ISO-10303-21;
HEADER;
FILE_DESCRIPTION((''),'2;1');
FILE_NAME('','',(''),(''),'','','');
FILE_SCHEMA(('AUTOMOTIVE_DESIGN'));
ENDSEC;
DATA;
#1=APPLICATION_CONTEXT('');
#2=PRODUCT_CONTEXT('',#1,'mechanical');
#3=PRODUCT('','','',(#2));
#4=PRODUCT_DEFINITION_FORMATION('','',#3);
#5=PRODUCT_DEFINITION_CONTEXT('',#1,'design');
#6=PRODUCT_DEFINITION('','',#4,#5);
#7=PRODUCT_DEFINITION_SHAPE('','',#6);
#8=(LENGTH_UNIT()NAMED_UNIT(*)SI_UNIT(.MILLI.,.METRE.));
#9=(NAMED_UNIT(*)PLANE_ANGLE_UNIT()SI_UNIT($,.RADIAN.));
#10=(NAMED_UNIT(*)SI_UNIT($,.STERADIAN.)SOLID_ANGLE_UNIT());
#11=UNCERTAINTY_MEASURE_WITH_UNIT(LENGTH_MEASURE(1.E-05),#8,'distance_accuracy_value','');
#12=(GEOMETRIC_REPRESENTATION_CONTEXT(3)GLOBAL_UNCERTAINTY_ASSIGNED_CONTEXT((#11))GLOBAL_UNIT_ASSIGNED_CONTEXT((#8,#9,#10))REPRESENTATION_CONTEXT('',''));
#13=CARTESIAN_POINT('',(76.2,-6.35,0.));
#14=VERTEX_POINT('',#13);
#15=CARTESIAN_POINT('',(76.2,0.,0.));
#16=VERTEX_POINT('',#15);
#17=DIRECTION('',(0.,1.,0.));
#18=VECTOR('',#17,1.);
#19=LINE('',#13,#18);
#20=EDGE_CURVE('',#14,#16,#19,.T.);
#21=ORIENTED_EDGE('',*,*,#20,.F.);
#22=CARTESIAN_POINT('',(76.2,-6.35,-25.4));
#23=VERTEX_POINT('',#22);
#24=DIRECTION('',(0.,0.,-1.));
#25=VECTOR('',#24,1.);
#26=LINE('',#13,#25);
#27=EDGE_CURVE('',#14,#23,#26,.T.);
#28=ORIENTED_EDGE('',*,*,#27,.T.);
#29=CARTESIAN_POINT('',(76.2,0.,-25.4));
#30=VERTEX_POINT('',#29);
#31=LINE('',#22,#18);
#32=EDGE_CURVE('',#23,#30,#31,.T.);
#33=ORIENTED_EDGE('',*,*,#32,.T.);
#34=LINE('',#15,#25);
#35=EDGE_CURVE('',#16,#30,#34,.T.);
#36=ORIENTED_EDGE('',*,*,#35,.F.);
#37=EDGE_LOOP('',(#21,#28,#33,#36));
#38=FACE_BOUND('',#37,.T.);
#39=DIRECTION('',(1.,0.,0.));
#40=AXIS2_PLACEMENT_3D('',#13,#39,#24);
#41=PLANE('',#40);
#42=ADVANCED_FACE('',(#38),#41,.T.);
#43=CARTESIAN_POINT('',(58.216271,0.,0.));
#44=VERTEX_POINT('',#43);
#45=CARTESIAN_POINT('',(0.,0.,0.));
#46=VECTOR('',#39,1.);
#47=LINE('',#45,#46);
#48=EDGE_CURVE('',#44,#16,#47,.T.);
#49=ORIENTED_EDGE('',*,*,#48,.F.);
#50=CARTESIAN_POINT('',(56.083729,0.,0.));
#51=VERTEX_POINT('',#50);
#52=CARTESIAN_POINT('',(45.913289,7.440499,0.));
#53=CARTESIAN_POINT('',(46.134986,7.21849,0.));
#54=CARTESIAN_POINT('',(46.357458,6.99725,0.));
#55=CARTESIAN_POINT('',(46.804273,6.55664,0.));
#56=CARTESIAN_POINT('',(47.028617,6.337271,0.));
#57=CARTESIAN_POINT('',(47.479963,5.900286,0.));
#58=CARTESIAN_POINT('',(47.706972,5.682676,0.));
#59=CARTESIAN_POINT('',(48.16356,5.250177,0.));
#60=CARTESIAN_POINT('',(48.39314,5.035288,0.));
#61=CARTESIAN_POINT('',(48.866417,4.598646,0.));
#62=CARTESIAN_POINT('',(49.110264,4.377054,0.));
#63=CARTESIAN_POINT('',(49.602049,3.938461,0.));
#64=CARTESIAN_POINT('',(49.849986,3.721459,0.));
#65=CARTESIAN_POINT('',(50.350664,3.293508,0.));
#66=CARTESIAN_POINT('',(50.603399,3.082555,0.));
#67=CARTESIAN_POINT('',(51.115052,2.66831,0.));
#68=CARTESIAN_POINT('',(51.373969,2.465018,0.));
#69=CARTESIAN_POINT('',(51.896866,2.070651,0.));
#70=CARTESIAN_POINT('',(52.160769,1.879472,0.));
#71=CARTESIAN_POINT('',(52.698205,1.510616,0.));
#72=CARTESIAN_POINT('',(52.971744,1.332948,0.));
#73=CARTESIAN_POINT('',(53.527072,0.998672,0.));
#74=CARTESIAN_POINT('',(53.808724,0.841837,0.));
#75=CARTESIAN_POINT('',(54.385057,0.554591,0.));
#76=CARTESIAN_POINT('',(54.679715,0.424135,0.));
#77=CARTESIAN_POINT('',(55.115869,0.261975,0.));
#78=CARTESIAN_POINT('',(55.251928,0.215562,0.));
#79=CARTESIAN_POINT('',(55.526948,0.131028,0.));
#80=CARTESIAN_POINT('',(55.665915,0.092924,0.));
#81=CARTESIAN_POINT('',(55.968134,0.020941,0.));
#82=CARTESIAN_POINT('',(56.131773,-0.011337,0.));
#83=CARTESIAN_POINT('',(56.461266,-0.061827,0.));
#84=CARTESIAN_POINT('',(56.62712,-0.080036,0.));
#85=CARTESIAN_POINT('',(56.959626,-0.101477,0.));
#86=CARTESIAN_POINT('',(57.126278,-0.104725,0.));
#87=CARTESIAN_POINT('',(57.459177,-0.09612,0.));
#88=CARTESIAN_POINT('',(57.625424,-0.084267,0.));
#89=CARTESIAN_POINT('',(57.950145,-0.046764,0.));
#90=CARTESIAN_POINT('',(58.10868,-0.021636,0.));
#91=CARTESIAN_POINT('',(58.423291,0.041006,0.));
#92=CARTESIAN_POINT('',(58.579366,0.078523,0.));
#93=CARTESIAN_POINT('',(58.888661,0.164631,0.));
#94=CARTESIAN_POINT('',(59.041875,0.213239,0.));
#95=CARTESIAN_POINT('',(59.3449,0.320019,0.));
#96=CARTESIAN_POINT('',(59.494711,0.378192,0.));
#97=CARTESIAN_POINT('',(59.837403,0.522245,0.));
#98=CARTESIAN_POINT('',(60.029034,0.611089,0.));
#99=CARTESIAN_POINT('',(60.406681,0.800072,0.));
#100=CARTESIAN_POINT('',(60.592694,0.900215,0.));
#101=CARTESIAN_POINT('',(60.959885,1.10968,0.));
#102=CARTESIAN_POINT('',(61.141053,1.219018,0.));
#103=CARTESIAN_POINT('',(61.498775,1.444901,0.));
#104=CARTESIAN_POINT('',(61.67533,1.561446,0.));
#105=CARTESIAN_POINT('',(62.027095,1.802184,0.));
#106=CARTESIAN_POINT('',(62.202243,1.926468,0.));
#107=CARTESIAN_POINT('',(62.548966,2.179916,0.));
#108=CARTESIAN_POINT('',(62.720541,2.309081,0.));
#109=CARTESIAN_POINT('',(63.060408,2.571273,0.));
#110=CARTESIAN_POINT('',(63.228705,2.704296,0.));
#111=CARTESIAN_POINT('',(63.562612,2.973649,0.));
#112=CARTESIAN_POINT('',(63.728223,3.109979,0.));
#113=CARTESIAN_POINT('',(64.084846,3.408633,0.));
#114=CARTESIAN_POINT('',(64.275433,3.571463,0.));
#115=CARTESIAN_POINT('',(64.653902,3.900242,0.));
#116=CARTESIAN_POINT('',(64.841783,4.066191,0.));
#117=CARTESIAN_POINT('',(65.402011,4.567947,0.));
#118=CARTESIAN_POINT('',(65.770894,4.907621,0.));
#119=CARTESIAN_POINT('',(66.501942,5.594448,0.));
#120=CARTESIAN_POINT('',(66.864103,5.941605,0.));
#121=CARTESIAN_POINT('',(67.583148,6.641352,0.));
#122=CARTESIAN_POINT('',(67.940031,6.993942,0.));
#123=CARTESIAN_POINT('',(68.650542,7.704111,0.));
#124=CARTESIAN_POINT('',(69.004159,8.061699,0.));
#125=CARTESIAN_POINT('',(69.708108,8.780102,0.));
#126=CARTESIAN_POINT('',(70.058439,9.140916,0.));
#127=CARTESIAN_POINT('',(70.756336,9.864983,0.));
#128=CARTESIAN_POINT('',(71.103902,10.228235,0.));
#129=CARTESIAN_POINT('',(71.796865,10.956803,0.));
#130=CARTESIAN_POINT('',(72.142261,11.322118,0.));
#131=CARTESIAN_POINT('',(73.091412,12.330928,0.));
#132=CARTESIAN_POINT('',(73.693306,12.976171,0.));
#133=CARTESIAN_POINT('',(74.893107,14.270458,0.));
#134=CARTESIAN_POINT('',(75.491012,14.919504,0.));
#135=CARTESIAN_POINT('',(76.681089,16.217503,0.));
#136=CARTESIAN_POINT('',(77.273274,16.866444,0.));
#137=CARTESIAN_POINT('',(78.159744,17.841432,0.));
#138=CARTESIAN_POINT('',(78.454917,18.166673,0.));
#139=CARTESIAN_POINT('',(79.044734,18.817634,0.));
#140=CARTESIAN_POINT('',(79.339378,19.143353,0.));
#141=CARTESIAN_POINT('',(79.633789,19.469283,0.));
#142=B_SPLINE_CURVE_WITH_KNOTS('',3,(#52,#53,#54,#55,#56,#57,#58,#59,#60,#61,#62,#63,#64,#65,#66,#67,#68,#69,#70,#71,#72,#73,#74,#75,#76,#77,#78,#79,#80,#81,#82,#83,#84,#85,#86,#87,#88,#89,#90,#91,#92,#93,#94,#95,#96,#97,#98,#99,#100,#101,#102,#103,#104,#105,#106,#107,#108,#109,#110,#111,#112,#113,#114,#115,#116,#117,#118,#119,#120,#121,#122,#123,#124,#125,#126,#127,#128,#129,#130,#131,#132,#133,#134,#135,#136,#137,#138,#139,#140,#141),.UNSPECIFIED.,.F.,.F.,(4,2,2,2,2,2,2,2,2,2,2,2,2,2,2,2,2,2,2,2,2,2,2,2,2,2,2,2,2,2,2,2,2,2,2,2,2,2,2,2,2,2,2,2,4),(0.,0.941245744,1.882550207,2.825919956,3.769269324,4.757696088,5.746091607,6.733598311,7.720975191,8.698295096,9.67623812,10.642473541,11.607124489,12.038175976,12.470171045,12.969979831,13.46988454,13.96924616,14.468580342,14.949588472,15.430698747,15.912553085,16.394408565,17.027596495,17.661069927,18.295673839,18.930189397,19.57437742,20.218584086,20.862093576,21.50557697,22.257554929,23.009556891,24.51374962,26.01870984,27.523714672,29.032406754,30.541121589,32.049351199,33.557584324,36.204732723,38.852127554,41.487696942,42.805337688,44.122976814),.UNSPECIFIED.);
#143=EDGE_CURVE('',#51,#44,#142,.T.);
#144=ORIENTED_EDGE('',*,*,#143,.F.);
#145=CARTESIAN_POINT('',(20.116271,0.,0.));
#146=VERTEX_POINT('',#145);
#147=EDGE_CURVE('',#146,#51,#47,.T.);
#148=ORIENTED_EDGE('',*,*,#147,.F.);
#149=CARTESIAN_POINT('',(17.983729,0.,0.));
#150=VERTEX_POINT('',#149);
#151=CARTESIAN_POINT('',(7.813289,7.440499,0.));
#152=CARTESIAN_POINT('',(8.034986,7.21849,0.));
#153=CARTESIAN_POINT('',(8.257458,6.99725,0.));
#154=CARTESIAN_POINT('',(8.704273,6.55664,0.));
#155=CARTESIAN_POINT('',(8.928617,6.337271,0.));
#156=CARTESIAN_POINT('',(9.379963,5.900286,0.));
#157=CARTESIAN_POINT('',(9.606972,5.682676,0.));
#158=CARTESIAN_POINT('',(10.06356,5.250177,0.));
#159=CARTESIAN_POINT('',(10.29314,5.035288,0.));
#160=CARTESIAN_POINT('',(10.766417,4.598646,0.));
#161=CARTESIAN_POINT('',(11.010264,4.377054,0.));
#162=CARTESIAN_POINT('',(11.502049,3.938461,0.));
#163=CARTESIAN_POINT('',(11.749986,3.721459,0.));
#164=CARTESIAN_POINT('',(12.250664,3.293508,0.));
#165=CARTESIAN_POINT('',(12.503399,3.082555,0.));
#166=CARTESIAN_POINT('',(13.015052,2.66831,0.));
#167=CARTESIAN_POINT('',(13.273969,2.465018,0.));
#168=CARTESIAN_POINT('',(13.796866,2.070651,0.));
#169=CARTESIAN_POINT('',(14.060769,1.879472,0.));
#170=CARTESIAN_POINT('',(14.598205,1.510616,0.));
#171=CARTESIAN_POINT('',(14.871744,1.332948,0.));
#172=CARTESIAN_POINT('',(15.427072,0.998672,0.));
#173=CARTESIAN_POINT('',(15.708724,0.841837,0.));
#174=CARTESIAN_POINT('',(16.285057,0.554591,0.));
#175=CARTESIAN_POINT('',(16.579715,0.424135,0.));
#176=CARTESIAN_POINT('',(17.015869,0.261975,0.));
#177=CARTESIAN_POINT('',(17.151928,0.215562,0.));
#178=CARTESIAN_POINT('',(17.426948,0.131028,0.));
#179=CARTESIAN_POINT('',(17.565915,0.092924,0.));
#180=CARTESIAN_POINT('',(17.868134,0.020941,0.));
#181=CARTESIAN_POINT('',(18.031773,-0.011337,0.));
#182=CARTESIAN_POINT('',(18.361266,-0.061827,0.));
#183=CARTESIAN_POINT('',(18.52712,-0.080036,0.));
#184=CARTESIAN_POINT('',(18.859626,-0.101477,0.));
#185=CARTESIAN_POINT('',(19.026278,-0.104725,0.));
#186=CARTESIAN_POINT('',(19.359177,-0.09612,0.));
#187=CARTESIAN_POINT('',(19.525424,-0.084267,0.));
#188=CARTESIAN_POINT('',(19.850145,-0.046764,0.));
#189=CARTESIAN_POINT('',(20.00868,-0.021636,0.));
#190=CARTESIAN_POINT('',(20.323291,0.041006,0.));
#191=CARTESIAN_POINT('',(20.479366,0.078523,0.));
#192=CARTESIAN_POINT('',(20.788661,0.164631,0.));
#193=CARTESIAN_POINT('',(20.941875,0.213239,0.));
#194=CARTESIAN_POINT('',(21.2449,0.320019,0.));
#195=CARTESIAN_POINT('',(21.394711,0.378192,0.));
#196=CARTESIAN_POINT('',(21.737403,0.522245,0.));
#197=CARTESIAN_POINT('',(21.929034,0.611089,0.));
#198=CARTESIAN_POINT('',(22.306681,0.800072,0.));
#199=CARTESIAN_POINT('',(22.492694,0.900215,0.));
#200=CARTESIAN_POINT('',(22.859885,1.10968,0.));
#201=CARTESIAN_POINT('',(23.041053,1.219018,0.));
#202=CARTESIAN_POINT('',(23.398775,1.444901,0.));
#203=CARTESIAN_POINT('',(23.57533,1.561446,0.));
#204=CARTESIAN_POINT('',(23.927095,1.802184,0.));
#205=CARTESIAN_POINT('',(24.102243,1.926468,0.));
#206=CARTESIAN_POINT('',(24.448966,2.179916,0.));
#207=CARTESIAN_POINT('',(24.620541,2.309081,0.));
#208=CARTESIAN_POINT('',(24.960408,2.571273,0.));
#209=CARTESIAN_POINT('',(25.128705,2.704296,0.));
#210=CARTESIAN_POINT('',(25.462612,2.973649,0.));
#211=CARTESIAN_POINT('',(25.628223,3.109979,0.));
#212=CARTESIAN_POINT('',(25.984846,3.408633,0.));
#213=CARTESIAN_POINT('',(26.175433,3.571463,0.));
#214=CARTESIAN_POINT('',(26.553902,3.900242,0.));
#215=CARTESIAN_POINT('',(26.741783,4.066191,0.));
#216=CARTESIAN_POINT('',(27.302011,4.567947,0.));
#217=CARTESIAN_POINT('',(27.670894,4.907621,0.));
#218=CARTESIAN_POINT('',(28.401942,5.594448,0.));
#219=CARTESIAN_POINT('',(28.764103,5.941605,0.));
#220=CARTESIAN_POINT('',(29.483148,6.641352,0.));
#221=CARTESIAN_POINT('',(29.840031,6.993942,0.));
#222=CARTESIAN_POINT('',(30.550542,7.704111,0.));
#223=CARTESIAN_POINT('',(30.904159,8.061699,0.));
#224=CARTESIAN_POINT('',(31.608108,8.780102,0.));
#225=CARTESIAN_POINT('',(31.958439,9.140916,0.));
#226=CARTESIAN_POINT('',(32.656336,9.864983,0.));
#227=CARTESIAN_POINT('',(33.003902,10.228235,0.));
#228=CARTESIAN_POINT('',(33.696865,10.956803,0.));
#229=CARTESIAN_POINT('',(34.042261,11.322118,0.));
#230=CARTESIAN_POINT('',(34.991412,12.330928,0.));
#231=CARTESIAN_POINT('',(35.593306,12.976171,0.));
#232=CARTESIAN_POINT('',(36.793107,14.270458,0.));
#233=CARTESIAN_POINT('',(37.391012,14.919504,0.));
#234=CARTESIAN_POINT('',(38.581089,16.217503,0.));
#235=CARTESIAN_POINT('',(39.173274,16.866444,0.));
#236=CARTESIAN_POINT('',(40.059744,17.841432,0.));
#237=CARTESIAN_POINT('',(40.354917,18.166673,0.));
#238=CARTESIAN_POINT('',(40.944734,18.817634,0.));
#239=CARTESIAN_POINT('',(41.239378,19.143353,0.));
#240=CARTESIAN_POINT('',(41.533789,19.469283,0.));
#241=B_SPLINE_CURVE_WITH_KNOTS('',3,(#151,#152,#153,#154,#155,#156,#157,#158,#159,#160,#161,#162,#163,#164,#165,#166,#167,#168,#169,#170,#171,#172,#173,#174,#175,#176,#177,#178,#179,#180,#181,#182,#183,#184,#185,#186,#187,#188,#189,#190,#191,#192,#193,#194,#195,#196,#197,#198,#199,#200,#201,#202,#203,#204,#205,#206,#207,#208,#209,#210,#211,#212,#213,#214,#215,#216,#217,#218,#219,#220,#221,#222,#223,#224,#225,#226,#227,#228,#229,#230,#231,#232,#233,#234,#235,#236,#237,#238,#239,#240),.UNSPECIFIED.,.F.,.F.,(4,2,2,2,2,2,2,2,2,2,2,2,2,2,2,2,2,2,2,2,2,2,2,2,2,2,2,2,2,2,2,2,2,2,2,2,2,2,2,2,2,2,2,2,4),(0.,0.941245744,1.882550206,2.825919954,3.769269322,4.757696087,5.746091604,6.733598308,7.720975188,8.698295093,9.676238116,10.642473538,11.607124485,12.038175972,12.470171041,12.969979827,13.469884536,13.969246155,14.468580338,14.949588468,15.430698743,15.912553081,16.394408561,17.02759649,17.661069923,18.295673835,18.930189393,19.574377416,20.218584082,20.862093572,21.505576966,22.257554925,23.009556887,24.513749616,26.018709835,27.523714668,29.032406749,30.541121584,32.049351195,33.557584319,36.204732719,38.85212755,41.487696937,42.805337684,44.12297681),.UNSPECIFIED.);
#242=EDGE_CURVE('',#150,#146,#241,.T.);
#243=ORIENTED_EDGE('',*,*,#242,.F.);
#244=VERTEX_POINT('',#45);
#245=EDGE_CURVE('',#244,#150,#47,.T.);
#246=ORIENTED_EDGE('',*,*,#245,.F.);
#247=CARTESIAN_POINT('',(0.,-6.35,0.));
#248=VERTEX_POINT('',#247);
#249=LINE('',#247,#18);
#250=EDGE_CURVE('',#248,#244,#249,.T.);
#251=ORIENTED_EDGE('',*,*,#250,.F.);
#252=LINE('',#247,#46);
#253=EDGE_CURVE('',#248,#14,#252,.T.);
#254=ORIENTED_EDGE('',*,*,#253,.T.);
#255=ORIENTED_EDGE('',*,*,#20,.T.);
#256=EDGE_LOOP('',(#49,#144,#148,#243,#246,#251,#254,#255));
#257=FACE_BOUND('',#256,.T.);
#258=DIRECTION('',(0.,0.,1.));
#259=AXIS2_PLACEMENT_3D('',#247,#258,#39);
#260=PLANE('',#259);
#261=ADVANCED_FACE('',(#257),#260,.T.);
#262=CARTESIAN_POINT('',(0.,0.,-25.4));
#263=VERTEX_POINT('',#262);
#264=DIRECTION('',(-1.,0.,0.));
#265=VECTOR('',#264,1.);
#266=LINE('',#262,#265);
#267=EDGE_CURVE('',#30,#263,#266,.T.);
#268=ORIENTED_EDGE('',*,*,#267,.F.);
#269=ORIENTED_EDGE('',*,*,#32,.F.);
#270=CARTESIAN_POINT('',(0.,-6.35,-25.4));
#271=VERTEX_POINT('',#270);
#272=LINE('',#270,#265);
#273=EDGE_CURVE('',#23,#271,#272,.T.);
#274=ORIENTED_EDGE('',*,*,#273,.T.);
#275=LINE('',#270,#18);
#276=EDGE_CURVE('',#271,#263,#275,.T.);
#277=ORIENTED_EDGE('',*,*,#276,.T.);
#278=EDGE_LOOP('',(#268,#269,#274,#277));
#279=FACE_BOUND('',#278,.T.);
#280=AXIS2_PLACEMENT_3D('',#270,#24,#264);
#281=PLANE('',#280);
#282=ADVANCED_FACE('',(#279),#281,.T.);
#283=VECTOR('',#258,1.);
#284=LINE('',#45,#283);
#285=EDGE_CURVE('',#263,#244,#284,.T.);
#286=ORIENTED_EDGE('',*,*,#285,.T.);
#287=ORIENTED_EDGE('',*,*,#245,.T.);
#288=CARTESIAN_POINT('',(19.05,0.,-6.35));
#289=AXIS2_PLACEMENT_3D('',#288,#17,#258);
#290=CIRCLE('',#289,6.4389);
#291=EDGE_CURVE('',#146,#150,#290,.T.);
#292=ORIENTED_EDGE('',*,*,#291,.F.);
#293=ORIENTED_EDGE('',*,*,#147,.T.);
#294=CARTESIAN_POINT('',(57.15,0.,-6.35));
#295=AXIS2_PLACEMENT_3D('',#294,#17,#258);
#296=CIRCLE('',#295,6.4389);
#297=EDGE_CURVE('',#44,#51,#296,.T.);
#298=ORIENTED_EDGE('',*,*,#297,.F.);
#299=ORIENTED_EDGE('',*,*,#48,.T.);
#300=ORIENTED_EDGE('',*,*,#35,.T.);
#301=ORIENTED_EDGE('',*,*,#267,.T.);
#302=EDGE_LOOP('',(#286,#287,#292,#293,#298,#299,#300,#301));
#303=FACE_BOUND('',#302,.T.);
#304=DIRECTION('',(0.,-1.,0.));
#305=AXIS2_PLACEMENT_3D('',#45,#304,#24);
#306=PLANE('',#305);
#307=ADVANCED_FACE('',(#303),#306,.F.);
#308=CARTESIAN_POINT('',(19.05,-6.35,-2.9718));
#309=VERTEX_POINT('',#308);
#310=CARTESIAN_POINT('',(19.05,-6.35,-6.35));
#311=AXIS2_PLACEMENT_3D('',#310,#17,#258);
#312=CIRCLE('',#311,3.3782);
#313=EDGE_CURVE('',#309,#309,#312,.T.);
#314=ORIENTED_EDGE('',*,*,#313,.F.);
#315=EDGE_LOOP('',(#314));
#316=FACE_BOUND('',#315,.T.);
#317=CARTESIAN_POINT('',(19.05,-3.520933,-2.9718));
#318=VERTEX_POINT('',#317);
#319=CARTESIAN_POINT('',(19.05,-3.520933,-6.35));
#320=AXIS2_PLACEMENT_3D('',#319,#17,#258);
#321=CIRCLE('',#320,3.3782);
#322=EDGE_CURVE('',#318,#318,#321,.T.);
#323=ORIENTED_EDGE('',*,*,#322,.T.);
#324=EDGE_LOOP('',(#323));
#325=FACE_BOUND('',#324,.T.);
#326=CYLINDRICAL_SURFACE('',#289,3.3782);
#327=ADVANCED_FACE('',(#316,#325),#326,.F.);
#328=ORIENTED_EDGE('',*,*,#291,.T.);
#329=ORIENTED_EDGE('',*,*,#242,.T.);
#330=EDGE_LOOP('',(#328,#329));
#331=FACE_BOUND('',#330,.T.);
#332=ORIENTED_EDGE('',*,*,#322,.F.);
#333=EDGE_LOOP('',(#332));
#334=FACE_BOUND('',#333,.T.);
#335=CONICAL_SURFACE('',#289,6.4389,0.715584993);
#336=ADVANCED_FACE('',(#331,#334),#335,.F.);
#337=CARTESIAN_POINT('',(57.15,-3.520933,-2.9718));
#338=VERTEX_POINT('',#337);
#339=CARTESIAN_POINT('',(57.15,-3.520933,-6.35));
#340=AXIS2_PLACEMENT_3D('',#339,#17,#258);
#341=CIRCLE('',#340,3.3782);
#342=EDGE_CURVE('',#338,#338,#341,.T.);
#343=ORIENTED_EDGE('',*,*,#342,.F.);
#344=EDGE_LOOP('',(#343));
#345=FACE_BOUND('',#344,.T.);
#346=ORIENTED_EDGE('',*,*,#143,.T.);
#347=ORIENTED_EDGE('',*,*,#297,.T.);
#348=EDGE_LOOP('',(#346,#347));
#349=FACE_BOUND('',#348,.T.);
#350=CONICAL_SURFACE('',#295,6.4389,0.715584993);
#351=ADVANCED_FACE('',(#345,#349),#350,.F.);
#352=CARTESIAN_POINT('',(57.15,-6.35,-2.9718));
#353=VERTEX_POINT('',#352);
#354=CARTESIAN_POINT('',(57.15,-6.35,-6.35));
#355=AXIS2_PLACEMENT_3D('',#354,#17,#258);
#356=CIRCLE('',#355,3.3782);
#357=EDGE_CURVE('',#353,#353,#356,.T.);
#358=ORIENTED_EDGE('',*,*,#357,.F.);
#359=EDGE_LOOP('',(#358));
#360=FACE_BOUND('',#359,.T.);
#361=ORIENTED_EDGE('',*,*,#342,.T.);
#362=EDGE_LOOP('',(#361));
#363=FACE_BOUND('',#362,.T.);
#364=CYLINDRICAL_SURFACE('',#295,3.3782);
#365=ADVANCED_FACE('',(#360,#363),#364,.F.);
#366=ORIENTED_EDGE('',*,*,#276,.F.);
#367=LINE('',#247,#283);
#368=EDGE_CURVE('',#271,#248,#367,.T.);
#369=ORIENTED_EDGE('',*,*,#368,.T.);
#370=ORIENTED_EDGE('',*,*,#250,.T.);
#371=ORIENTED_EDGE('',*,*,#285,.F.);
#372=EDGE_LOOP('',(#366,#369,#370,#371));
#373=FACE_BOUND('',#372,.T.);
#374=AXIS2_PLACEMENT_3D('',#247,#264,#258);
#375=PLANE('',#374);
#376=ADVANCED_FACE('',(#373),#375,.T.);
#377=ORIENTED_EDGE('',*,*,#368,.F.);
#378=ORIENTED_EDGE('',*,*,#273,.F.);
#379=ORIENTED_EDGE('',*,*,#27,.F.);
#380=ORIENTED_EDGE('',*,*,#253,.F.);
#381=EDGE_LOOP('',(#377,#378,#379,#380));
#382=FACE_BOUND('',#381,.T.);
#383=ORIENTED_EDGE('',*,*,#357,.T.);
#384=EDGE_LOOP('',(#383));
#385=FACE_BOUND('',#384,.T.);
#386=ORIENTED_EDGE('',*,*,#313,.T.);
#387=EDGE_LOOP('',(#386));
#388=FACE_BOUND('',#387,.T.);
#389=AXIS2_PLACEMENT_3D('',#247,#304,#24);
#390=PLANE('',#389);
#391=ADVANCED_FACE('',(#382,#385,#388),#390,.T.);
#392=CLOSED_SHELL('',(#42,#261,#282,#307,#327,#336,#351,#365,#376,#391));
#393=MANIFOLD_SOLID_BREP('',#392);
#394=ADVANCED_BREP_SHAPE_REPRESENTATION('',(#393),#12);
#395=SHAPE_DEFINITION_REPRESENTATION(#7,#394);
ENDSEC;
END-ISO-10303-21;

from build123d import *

# Parameters (mm, degrees)
SKETCH1_W                                     = 76.2
SKETCH1_H                                     = 25.4
BOSS_EXTRUDE1_DEPTH                           = 6.35
CSK_FOR_1_4_FLAT_HEAD_MACHINE_SCREW1_AT_COUNT = 2
CSK_FOR_1_4_FLAT_HEAD_MACHINE_SCREW1_AT_PITCH = 38.1


with BuildPart() as part:
    # Sketch1 → Boss-Extrude1 (new body)
    with BuildSketch(Plane(origin=(0, 0, 0), x_dir=(1, 0, 0), z_dir=(0, 1, 0))):
        with Locations((38.1, 12.7)):
            Rectangle(SKETCH1_W, SKETCH1_H)
    extrude(amount=-BOSS_EXTRUDE1_DEPTH)

    # Sketch3 → CSK for 1/4 Flat Head Machine Screw1 (revolve, cut)
    with BuildSketch(Plane(origin=(19.05, 0, -6.35), x_dir=(0, 0, 1), z_dir=(1, 0, 0))):
        Polygon((0, 0), (0, 6.35), (3.3782, 6.35), (3.3782, 3.520932584), (6.4389, 0), align=None)
    csk_for_1_4_flat_head_machine_screw1 = revolve(axis=Axis((19.05, 6.35, -6.35), (0, -1, 0)), mode=Mode.SUBTRACT)

    # CSK for 1/4 Flat Head Machine Screw1 at: CSK for 1/4 Flat Head Machine Screw1 ×2
    with Locations(*[(i * CSK_FOR_1_4_FLAT_HEAD_MACHINE_SCREW1_AT_PITCH, 0, 0) for i in range(1, CSK_FOR_1_4_FLAT_HEAD_MACHINE_SCREW1_AT_COUNT)]):
        add(csk_for_1_4_flat_head_machine_screw1, mode=Mode.SUBTRACT)


solid = part.part
